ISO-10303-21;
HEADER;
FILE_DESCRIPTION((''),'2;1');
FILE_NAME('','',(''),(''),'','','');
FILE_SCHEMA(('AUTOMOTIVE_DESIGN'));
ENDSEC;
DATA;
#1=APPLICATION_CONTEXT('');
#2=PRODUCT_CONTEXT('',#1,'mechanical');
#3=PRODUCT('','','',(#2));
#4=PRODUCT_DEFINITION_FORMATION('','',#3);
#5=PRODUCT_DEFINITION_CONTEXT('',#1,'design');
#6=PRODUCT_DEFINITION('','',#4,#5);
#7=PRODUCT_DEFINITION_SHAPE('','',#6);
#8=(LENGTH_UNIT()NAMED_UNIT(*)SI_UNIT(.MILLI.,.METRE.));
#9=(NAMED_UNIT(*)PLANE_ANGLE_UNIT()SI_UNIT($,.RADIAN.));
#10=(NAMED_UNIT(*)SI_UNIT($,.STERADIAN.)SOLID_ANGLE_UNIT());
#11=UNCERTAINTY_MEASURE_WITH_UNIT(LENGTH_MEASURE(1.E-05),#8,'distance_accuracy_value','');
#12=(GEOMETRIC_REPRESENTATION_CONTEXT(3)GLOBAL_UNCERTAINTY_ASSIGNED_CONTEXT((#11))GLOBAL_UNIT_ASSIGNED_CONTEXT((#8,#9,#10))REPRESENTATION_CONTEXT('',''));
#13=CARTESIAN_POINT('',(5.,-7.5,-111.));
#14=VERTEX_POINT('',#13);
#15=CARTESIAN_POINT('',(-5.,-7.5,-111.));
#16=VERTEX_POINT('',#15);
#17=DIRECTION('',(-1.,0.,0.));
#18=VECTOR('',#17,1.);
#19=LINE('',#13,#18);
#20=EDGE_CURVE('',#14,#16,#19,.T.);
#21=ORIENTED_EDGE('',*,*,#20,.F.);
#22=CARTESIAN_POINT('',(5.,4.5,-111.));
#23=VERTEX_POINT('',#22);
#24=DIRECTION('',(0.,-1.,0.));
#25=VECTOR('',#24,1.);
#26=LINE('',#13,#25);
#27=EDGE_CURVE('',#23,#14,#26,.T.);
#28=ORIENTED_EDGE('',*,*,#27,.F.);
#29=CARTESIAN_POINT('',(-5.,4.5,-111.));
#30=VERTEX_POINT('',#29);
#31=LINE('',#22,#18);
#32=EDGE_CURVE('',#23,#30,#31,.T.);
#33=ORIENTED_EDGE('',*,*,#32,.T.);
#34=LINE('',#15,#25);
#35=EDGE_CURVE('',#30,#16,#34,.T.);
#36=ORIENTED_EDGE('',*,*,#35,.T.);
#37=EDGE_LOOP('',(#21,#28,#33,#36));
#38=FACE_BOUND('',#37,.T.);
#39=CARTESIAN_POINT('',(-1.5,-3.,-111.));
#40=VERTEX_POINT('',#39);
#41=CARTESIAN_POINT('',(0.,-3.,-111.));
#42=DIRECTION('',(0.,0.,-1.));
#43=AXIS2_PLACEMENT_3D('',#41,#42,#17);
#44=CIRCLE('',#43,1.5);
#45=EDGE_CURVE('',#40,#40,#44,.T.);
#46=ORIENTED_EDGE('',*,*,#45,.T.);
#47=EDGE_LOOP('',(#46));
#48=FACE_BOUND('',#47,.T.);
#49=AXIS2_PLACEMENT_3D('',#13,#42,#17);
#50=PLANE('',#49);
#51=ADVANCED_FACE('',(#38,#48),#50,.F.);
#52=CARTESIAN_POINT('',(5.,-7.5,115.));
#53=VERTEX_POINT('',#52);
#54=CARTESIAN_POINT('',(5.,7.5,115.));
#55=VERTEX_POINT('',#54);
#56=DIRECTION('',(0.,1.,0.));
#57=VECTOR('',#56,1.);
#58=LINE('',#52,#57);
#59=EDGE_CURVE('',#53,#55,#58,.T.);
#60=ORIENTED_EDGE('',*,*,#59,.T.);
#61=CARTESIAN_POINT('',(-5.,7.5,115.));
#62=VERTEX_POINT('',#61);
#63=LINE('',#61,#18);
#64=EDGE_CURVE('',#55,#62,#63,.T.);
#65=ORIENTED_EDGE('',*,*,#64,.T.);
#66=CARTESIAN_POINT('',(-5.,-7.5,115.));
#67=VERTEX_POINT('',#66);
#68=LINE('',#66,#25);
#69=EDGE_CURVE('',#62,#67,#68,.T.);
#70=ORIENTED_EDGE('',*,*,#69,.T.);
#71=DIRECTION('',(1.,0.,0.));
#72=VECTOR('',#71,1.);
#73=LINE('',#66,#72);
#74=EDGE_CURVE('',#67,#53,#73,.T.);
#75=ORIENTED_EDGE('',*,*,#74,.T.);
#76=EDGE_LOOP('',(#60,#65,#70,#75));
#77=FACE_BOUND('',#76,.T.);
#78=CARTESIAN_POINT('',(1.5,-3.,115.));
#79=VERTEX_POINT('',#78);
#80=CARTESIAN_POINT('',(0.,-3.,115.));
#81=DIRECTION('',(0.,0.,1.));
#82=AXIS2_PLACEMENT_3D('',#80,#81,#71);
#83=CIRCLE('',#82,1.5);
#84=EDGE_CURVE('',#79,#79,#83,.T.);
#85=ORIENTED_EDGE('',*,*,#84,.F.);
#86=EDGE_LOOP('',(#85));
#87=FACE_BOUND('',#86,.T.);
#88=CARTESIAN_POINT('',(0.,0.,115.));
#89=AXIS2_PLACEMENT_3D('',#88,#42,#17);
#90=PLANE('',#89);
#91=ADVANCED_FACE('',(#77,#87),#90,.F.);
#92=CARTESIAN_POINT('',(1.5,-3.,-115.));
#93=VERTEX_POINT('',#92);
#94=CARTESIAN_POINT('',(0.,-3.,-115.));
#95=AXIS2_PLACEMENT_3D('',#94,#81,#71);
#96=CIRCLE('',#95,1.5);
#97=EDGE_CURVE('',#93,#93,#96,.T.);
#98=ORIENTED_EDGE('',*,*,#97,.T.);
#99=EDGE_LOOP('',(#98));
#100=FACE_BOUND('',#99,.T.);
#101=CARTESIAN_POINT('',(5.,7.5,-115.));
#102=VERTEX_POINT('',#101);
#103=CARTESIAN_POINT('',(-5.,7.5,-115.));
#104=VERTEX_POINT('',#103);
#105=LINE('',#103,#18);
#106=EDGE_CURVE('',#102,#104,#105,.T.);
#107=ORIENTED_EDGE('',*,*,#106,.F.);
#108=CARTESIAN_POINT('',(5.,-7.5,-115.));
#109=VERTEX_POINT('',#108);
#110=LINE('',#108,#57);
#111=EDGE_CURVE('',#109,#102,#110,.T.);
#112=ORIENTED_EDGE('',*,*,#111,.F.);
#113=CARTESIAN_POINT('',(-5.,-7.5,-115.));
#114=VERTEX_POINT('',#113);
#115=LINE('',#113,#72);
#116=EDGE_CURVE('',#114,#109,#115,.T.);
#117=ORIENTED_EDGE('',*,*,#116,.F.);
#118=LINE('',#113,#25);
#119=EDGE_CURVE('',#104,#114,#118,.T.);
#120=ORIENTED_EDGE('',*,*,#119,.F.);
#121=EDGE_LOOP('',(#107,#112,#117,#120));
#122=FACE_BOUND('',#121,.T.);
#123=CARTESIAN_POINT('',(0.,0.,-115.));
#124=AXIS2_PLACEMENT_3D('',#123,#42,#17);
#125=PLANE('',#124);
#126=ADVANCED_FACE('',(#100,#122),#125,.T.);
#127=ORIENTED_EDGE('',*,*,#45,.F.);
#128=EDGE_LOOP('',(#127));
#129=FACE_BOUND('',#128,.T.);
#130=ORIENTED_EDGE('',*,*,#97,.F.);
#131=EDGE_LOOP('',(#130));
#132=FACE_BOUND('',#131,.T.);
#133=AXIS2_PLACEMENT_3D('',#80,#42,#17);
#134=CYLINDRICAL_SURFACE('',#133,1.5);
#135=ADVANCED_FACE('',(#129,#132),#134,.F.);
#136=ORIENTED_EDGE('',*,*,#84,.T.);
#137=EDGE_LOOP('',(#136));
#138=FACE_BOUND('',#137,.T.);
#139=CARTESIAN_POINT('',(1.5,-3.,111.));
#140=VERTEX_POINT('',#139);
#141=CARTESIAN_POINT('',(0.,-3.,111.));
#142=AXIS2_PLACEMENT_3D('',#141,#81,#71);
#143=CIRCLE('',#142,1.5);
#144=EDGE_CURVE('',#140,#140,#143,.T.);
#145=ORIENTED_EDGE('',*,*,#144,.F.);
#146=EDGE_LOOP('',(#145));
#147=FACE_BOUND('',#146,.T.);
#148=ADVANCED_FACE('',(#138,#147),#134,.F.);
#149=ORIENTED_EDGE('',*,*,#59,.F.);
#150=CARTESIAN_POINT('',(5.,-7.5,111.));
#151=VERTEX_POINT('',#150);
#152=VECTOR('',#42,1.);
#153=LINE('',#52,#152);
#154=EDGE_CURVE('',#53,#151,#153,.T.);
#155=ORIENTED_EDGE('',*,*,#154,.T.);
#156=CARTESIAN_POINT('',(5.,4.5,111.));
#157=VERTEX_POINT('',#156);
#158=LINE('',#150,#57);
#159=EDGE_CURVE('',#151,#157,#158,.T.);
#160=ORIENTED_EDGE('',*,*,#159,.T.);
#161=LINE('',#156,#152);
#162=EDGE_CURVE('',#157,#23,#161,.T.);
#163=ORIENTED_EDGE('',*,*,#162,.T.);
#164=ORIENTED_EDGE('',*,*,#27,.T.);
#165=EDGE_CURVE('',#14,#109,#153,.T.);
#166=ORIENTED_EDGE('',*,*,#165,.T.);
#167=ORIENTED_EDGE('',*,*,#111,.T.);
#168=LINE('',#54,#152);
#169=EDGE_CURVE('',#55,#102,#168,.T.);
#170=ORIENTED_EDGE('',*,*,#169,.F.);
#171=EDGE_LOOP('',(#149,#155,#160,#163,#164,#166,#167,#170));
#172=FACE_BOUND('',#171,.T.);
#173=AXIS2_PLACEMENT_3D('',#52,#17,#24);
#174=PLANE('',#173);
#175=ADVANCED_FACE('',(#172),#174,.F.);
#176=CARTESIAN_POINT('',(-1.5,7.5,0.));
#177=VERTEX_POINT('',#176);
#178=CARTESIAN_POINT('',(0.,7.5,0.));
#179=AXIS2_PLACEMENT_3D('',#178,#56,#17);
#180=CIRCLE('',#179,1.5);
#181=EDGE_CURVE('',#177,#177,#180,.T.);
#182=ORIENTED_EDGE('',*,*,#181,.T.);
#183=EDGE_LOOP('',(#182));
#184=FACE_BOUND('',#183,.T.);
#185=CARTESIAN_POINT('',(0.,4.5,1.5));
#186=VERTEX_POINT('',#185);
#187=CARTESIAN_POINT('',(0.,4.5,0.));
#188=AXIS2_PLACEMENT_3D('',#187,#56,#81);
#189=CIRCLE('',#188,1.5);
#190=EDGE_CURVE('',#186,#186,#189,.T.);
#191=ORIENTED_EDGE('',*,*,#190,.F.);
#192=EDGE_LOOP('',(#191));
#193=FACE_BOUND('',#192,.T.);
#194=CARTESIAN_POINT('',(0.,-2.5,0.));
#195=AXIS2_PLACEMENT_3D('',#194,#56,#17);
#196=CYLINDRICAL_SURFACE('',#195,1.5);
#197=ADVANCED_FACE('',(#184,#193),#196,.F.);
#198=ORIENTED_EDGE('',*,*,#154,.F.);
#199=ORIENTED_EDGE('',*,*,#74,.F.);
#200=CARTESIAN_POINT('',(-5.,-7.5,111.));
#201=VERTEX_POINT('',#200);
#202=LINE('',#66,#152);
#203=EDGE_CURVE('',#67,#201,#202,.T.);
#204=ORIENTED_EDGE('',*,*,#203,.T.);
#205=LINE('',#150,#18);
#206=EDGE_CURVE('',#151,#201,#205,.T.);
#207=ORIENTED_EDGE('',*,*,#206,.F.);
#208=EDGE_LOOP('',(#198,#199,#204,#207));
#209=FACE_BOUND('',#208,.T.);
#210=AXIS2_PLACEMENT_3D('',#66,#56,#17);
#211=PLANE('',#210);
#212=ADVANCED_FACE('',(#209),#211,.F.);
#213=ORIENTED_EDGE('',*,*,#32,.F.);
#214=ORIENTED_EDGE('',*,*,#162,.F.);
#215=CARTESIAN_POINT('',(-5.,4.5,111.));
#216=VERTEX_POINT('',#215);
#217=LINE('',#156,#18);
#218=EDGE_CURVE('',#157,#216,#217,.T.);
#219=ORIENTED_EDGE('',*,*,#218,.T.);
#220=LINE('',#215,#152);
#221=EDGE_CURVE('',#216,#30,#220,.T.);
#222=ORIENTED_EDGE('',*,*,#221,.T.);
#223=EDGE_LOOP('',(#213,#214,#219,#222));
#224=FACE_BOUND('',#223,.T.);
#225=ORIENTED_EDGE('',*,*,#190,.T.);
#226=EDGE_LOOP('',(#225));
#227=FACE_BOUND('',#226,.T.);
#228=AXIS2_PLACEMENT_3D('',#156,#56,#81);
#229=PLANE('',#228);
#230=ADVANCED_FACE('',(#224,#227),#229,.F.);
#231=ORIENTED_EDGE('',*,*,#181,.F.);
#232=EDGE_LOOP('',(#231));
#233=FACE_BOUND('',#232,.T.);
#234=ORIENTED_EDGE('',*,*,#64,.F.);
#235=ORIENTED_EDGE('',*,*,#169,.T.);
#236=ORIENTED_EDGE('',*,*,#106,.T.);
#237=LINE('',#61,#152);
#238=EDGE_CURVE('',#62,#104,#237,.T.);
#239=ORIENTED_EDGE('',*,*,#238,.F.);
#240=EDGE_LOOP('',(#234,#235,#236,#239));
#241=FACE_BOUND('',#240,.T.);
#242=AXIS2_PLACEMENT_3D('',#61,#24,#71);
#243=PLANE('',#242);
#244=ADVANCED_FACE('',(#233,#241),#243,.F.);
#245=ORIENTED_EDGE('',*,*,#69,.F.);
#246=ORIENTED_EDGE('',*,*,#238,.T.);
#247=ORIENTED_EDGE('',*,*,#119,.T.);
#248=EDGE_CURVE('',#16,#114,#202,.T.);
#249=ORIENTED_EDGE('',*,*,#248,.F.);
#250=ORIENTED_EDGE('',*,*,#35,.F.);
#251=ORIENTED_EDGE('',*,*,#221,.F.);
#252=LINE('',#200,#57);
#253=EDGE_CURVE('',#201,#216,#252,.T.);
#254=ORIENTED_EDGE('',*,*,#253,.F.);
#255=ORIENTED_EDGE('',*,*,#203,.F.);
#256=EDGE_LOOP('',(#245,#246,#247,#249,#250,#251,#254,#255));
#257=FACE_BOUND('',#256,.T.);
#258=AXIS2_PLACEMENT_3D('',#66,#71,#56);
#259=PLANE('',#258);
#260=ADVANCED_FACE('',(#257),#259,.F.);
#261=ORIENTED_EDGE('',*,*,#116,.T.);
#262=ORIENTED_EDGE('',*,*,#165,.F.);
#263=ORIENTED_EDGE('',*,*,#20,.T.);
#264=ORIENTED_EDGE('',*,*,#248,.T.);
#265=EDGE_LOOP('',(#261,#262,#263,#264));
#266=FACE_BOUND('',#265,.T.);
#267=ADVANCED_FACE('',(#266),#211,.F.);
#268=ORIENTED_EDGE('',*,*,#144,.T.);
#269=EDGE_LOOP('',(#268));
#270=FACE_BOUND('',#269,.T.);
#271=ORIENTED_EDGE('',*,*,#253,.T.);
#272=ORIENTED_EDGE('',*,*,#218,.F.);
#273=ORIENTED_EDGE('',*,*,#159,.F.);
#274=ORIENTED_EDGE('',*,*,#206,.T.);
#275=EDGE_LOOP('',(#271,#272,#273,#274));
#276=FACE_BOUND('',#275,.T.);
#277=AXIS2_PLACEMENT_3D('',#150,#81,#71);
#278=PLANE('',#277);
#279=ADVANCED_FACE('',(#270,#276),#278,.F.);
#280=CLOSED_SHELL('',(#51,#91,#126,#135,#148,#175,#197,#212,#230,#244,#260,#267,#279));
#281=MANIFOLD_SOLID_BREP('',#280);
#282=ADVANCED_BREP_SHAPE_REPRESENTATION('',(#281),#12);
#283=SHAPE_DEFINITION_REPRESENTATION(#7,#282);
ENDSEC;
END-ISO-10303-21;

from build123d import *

# Parameters (mm, degrees)
CROQUIS1_W              = 10
CROQUIS1_H              = 15
CROQUIS1_R              = 1.5
SALIENTE_EXTRUIR1_DEPTH = 115
CROQUIS2_W              = 222
CROQUIS2_H              = 12
CORTAR_EXTRUIR1_DEPTH   = 11
CROQUIS3_R              = 1.5
CORTAR_EXTRUIR2_DEPTH   = 10


with BuildPart() as part:
    # Croquis1 → Saliente-Extruir1 (new body, symmetric)
    with BuildSketch(Plane.XY):
        Rectangle(CROQUIS1_W, CROQUIS1_H)
        with Locations((0, -3)):
            Circle(CROQUIS1_R, mode=Mode.SUBTRACT)
    extrude(amount=SALIENTE_EXTRUIR1_DEPTH, both=True)

    # Croquis2 → Cortar-Extruir1 (cut, through all)
    with BuildSketch(Plane.ZY.offset(5)):
        with Locations((0, -1.5)):
            Rectangle(CROQUIS2_W, CROQUIS2_H)
    extrude(amount=-CORTAR_EXTRUIR1_DEPTH, mode=Mode.SUBTRACT)

    # Croquis3 → Cortar-Extruir2 (cut)
    with BuildSketch(Plane(origin=(0, 7.5, 0), x_dir=(1, 0, 0), z_dir=(0, 1, 0))):
        Circle(CROQUIS3_R)
    extrude(amount=-CORTAR_EXTRUIR2_DEPTH, mode=Mode.SUBTRACT)


solid = part.part
